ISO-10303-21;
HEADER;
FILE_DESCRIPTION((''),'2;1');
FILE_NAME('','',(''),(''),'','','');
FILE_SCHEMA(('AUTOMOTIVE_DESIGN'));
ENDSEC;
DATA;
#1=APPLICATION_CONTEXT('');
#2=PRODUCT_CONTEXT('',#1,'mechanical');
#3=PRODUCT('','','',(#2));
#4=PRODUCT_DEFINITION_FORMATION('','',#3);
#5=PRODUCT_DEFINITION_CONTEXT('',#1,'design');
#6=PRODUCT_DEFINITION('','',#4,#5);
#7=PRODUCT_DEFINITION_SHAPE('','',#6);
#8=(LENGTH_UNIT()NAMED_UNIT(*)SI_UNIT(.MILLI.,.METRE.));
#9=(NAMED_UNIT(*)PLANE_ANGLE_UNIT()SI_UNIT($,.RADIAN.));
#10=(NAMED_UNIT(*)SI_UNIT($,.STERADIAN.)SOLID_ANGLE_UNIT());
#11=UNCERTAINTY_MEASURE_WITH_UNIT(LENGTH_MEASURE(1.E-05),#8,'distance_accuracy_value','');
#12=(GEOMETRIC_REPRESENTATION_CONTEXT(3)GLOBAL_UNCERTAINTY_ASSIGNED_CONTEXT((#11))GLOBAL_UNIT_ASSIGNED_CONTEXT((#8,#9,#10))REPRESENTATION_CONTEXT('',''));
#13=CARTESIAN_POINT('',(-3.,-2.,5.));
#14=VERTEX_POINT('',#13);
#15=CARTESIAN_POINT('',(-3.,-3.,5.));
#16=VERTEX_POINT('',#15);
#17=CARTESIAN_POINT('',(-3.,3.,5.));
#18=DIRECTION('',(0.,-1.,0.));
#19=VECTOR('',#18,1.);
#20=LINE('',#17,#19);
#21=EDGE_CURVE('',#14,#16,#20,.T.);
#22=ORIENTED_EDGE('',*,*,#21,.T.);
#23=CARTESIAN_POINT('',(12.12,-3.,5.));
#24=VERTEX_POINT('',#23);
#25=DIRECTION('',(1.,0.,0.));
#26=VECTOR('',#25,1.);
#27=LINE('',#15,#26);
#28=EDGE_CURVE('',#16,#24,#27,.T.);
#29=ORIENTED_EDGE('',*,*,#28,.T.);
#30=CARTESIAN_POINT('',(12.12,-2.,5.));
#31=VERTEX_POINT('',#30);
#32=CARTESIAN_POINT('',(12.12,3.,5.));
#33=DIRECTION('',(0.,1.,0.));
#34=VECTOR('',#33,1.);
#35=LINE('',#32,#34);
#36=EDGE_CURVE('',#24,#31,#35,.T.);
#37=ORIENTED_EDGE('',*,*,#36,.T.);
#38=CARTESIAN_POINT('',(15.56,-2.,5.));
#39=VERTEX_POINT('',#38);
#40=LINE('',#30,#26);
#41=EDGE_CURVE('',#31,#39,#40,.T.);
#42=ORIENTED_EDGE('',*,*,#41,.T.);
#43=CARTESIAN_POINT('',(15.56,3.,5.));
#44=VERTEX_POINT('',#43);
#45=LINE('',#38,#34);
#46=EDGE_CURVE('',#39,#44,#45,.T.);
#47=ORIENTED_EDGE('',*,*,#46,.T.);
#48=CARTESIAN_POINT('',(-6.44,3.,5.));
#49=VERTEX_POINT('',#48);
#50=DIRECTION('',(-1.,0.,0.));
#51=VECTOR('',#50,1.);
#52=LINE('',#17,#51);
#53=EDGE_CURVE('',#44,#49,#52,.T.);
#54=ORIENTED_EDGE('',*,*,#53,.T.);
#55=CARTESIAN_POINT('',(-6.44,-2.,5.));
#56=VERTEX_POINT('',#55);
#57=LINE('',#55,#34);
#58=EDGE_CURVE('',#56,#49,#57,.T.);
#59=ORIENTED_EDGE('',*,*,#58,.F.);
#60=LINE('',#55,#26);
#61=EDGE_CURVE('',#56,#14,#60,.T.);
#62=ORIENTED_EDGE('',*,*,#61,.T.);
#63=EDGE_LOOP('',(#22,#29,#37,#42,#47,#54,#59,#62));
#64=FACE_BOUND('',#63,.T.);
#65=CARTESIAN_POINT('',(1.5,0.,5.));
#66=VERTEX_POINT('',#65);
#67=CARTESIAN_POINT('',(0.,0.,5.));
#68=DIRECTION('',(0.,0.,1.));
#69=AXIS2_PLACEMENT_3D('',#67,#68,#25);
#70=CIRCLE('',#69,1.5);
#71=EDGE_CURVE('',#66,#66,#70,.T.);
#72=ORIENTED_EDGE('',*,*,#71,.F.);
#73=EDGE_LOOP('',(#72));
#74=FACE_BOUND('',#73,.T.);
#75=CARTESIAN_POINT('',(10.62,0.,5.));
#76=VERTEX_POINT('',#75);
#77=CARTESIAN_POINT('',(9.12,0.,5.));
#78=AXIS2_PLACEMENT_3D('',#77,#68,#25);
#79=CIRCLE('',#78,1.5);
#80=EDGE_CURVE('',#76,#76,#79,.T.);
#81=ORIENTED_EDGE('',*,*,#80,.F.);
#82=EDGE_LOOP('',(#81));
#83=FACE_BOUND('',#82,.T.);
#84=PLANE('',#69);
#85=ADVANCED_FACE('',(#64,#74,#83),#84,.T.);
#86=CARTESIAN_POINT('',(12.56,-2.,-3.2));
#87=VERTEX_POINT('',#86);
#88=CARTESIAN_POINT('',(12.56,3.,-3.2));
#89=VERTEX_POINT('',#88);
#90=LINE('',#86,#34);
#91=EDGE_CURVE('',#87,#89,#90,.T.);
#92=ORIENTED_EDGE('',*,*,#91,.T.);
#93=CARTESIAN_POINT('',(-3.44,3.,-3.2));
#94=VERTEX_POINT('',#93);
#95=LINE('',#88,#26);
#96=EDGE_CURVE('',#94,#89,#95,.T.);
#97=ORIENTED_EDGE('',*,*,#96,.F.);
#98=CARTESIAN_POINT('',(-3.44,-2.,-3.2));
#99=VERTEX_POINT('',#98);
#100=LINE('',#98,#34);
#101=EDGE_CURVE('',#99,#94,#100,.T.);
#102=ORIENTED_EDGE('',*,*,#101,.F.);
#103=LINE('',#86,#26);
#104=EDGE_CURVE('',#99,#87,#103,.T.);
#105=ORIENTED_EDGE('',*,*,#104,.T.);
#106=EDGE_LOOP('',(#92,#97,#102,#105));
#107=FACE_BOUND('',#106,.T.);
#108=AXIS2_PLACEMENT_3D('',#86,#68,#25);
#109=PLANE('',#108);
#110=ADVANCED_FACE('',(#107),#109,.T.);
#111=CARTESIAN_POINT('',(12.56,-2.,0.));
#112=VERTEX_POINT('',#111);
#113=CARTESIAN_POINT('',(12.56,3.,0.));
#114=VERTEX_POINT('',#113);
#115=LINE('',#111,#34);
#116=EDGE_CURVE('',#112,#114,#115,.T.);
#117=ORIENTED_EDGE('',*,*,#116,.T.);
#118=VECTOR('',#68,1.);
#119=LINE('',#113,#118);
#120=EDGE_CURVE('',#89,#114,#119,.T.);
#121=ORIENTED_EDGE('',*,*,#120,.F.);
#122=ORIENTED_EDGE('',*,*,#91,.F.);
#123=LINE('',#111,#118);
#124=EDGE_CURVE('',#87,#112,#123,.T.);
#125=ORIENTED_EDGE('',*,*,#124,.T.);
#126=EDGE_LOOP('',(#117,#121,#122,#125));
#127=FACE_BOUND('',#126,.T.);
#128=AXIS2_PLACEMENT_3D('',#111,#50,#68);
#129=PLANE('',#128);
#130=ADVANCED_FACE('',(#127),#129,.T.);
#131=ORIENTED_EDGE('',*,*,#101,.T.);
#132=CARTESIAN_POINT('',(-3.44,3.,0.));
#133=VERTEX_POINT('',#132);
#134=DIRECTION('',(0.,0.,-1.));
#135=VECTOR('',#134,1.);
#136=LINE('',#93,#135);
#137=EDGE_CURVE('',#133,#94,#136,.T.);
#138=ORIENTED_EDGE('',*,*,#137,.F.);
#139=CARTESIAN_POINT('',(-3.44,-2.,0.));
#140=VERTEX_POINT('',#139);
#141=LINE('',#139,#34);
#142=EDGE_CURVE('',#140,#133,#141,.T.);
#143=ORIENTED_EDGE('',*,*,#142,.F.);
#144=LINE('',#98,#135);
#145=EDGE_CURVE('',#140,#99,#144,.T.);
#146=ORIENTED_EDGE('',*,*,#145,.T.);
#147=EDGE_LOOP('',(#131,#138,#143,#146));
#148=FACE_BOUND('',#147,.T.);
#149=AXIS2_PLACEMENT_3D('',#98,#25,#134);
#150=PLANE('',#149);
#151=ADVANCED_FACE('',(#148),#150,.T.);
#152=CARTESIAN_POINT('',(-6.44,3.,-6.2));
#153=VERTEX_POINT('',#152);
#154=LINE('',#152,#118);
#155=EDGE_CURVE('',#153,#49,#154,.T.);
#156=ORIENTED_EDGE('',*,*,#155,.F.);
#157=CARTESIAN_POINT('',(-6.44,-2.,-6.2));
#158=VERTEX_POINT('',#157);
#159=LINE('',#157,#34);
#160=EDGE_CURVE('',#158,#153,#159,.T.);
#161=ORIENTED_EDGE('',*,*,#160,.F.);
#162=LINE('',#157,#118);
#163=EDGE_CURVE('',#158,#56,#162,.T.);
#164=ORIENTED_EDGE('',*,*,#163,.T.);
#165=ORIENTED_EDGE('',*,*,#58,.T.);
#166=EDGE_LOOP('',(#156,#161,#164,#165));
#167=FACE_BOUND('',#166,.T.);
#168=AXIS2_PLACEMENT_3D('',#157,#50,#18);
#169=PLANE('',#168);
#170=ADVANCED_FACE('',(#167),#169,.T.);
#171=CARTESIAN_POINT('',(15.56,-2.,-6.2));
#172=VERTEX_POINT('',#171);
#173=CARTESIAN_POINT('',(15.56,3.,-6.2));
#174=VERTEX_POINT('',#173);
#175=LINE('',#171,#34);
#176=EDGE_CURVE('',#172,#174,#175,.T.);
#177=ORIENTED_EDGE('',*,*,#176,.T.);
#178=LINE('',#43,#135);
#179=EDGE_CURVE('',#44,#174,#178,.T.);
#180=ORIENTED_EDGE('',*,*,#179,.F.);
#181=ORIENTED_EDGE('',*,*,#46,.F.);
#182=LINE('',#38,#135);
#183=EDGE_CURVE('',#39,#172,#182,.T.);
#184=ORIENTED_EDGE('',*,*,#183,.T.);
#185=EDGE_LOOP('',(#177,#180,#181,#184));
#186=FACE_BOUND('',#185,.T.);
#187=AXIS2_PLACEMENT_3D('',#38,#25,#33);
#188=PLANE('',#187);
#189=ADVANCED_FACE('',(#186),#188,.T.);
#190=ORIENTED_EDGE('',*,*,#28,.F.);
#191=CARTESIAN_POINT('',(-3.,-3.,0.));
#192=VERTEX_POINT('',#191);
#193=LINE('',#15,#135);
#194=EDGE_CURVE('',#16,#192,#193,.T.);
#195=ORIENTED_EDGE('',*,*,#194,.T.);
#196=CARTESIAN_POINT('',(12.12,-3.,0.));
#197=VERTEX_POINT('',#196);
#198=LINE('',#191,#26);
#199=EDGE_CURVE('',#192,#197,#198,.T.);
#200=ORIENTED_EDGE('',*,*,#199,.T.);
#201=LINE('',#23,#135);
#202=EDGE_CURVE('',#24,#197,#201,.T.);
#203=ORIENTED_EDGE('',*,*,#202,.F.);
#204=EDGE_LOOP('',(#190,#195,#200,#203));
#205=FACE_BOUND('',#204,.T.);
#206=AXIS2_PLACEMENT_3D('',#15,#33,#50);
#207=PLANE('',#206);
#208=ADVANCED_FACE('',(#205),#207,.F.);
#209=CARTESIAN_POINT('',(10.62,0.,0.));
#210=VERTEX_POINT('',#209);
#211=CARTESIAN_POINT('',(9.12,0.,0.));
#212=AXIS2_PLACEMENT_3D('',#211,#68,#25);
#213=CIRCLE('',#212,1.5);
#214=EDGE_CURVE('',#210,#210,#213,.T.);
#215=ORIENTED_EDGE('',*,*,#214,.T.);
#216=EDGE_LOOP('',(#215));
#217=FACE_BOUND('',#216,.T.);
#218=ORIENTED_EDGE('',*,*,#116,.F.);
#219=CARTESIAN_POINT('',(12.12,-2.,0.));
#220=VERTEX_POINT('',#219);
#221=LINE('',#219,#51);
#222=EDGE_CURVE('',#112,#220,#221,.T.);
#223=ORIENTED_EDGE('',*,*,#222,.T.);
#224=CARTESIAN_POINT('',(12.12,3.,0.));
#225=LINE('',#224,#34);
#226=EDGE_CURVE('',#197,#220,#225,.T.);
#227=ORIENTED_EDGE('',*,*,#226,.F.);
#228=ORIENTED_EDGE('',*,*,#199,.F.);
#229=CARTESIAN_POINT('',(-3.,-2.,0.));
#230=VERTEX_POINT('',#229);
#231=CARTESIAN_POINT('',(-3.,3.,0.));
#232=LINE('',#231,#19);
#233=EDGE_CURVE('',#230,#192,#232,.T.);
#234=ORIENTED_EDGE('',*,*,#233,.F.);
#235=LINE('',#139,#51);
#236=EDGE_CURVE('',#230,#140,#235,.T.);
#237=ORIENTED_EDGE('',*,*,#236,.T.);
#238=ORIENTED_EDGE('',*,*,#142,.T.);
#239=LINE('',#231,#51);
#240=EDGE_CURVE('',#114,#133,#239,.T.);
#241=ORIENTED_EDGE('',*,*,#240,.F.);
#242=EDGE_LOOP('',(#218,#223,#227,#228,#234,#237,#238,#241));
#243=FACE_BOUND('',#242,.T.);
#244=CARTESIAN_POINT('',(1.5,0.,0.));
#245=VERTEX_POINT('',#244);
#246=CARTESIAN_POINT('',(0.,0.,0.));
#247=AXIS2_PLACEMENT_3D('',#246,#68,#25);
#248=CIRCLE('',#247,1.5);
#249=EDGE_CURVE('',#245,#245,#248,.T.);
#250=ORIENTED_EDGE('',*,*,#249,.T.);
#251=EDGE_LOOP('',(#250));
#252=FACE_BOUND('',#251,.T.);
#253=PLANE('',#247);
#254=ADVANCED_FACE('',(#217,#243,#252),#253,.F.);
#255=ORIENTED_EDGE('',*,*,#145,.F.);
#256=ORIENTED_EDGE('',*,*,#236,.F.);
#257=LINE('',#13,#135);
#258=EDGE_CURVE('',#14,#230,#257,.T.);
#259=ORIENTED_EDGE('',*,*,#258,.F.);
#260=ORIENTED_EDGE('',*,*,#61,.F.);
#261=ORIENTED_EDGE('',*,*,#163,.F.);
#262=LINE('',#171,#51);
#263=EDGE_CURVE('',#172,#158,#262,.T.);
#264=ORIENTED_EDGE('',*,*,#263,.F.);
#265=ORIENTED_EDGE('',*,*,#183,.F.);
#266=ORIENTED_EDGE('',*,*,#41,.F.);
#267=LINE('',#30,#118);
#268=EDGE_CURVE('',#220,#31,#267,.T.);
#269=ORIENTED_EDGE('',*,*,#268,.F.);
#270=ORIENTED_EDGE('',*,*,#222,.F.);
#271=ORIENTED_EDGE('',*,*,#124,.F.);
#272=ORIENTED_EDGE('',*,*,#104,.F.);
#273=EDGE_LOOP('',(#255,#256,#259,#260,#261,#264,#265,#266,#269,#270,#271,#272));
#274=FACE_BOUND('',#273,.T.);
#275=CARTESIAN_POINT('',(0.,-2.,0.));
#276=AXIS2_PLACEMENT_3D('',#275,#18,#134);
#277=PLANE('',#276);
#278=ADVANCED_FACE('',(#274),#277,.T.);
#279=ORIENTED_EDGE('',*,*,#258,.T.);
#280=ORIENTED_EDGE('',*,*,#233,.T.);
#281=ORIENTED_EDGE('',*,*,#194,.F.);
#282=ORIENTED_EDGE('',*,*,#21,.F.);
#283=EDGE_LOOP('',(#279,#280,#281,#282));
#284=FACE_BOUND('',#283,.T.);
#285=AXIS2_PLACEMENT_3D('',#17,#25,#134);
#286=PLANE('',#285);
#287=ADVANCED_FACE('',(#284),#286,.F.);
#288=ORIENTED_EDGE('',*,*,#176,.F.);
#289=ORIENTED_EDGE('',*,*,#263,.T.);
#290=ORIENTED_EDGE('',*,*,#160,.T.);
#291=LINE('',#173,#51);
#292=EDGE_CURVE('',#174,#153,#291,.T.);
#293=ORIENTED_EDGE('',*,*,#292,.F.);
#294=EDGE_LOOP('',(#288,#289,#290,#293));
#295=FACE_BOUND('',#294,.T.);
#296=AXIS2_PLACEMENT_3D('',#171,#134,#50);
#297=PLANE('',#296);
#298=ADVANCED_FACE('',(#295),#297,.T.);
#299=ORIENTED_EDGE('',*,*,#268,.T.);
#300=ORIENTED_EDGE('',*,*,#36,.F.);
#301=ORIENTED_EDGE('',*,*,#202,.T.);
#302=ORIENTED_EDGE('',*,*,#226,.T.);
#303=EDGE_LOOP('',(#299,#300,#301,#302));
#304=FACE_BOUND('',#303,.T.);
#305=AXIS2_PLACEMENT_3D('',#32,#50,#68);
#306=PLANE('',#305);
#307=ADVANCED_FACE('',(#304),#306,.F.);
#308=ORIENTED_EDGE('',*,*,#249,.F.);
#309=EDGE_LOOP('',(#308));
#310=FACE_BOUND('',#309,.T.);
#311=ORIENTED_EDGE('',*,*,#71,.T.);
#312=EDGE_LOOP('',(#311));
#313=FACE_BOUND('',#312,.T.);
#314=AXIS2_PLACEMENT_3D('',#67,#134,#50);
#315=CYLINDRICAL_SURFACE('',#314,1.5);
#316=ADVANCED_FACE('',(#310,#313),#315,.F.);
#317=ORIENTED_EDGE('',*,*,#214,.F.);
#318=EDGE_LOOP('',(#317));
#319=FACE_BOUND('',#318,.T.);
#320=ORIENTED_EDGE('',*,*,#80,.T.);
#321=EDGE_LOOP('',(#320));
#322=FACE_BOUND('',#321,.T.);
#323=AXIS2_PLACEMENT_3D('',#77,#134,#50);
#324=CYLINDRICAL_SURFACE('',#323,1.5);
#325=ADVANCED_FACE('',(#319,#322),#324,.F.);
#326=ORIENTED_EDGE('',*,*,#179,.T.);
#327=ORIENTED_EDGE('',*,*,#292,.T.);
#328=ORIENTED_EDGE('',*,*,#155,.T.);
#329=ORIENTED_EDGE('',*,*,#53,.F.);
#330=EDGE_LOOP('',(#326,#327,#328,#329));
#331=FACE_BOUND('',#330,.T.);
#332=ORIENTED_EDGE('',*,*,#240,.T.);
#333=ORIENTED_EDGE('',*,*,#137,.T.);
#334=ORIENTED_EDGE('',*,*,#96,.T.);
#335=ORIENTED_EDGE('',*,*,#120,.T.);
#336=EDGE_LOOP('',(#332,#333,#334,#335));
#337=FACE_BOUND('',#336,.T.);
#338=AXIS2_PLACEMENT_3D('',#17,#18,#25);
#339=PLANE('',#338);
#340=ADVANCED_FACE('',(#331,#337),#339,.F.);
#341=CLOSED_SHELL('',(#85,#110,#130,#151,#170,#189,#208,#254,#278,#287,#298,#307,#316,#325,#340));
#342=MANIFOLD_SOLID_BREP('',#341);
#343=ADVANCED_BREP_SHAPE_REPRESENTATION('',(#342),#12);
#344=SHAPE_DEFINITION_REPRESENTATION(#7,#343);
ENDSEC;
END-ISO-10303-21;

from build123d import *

# Parameters (mm, degrees)
SKETCH_1_W      = 15.12
SKETCH_1_H      = 6
SKETCH_1_R      = 1.5
EXTRUDE_1_DEPTH = 5
EXTRUDE_2_DEPTH = 5


with BuildPart() as part:
    # Эскиз1 → Бобышка-Вытянуть1 (new body)
    with BuildSketch(Plane.XY):
        with Locations((4.56, 0)):
            Rectangle(SKETCH_1_W, SKETCH_1_H)
        Circle(SKETCH_1_R, mode=Mode.SUBTRACT)
        with Locations((9.12, 0)):
            Circle(SKETCH_1_R, mode=Mode.SUBTRACT)
    extrude(amount=EXTRUDE_1_DEPTH)

    # Эскиз2 → Бобышка-Вытянуть2 (add)
    with BuildSketch(Plane(origin=(0, 3, 0), x_dir=(1, 0, 0), z_dir=(0, 1, 0))):
        Polygon((12.12, -5), (15.56, -5), (15.56, 6.2), (-6.44, 6.2), (-6.44, -5), (-3, -5), (-3, 0), (-3.44, 0), (-3.44, 3.2), (12.56, 3.2), (12.56, 0), (12.12, 0), align=None)
    extrude(amount=-EXTRUDE_2_DEPTH)


solid = part.part
